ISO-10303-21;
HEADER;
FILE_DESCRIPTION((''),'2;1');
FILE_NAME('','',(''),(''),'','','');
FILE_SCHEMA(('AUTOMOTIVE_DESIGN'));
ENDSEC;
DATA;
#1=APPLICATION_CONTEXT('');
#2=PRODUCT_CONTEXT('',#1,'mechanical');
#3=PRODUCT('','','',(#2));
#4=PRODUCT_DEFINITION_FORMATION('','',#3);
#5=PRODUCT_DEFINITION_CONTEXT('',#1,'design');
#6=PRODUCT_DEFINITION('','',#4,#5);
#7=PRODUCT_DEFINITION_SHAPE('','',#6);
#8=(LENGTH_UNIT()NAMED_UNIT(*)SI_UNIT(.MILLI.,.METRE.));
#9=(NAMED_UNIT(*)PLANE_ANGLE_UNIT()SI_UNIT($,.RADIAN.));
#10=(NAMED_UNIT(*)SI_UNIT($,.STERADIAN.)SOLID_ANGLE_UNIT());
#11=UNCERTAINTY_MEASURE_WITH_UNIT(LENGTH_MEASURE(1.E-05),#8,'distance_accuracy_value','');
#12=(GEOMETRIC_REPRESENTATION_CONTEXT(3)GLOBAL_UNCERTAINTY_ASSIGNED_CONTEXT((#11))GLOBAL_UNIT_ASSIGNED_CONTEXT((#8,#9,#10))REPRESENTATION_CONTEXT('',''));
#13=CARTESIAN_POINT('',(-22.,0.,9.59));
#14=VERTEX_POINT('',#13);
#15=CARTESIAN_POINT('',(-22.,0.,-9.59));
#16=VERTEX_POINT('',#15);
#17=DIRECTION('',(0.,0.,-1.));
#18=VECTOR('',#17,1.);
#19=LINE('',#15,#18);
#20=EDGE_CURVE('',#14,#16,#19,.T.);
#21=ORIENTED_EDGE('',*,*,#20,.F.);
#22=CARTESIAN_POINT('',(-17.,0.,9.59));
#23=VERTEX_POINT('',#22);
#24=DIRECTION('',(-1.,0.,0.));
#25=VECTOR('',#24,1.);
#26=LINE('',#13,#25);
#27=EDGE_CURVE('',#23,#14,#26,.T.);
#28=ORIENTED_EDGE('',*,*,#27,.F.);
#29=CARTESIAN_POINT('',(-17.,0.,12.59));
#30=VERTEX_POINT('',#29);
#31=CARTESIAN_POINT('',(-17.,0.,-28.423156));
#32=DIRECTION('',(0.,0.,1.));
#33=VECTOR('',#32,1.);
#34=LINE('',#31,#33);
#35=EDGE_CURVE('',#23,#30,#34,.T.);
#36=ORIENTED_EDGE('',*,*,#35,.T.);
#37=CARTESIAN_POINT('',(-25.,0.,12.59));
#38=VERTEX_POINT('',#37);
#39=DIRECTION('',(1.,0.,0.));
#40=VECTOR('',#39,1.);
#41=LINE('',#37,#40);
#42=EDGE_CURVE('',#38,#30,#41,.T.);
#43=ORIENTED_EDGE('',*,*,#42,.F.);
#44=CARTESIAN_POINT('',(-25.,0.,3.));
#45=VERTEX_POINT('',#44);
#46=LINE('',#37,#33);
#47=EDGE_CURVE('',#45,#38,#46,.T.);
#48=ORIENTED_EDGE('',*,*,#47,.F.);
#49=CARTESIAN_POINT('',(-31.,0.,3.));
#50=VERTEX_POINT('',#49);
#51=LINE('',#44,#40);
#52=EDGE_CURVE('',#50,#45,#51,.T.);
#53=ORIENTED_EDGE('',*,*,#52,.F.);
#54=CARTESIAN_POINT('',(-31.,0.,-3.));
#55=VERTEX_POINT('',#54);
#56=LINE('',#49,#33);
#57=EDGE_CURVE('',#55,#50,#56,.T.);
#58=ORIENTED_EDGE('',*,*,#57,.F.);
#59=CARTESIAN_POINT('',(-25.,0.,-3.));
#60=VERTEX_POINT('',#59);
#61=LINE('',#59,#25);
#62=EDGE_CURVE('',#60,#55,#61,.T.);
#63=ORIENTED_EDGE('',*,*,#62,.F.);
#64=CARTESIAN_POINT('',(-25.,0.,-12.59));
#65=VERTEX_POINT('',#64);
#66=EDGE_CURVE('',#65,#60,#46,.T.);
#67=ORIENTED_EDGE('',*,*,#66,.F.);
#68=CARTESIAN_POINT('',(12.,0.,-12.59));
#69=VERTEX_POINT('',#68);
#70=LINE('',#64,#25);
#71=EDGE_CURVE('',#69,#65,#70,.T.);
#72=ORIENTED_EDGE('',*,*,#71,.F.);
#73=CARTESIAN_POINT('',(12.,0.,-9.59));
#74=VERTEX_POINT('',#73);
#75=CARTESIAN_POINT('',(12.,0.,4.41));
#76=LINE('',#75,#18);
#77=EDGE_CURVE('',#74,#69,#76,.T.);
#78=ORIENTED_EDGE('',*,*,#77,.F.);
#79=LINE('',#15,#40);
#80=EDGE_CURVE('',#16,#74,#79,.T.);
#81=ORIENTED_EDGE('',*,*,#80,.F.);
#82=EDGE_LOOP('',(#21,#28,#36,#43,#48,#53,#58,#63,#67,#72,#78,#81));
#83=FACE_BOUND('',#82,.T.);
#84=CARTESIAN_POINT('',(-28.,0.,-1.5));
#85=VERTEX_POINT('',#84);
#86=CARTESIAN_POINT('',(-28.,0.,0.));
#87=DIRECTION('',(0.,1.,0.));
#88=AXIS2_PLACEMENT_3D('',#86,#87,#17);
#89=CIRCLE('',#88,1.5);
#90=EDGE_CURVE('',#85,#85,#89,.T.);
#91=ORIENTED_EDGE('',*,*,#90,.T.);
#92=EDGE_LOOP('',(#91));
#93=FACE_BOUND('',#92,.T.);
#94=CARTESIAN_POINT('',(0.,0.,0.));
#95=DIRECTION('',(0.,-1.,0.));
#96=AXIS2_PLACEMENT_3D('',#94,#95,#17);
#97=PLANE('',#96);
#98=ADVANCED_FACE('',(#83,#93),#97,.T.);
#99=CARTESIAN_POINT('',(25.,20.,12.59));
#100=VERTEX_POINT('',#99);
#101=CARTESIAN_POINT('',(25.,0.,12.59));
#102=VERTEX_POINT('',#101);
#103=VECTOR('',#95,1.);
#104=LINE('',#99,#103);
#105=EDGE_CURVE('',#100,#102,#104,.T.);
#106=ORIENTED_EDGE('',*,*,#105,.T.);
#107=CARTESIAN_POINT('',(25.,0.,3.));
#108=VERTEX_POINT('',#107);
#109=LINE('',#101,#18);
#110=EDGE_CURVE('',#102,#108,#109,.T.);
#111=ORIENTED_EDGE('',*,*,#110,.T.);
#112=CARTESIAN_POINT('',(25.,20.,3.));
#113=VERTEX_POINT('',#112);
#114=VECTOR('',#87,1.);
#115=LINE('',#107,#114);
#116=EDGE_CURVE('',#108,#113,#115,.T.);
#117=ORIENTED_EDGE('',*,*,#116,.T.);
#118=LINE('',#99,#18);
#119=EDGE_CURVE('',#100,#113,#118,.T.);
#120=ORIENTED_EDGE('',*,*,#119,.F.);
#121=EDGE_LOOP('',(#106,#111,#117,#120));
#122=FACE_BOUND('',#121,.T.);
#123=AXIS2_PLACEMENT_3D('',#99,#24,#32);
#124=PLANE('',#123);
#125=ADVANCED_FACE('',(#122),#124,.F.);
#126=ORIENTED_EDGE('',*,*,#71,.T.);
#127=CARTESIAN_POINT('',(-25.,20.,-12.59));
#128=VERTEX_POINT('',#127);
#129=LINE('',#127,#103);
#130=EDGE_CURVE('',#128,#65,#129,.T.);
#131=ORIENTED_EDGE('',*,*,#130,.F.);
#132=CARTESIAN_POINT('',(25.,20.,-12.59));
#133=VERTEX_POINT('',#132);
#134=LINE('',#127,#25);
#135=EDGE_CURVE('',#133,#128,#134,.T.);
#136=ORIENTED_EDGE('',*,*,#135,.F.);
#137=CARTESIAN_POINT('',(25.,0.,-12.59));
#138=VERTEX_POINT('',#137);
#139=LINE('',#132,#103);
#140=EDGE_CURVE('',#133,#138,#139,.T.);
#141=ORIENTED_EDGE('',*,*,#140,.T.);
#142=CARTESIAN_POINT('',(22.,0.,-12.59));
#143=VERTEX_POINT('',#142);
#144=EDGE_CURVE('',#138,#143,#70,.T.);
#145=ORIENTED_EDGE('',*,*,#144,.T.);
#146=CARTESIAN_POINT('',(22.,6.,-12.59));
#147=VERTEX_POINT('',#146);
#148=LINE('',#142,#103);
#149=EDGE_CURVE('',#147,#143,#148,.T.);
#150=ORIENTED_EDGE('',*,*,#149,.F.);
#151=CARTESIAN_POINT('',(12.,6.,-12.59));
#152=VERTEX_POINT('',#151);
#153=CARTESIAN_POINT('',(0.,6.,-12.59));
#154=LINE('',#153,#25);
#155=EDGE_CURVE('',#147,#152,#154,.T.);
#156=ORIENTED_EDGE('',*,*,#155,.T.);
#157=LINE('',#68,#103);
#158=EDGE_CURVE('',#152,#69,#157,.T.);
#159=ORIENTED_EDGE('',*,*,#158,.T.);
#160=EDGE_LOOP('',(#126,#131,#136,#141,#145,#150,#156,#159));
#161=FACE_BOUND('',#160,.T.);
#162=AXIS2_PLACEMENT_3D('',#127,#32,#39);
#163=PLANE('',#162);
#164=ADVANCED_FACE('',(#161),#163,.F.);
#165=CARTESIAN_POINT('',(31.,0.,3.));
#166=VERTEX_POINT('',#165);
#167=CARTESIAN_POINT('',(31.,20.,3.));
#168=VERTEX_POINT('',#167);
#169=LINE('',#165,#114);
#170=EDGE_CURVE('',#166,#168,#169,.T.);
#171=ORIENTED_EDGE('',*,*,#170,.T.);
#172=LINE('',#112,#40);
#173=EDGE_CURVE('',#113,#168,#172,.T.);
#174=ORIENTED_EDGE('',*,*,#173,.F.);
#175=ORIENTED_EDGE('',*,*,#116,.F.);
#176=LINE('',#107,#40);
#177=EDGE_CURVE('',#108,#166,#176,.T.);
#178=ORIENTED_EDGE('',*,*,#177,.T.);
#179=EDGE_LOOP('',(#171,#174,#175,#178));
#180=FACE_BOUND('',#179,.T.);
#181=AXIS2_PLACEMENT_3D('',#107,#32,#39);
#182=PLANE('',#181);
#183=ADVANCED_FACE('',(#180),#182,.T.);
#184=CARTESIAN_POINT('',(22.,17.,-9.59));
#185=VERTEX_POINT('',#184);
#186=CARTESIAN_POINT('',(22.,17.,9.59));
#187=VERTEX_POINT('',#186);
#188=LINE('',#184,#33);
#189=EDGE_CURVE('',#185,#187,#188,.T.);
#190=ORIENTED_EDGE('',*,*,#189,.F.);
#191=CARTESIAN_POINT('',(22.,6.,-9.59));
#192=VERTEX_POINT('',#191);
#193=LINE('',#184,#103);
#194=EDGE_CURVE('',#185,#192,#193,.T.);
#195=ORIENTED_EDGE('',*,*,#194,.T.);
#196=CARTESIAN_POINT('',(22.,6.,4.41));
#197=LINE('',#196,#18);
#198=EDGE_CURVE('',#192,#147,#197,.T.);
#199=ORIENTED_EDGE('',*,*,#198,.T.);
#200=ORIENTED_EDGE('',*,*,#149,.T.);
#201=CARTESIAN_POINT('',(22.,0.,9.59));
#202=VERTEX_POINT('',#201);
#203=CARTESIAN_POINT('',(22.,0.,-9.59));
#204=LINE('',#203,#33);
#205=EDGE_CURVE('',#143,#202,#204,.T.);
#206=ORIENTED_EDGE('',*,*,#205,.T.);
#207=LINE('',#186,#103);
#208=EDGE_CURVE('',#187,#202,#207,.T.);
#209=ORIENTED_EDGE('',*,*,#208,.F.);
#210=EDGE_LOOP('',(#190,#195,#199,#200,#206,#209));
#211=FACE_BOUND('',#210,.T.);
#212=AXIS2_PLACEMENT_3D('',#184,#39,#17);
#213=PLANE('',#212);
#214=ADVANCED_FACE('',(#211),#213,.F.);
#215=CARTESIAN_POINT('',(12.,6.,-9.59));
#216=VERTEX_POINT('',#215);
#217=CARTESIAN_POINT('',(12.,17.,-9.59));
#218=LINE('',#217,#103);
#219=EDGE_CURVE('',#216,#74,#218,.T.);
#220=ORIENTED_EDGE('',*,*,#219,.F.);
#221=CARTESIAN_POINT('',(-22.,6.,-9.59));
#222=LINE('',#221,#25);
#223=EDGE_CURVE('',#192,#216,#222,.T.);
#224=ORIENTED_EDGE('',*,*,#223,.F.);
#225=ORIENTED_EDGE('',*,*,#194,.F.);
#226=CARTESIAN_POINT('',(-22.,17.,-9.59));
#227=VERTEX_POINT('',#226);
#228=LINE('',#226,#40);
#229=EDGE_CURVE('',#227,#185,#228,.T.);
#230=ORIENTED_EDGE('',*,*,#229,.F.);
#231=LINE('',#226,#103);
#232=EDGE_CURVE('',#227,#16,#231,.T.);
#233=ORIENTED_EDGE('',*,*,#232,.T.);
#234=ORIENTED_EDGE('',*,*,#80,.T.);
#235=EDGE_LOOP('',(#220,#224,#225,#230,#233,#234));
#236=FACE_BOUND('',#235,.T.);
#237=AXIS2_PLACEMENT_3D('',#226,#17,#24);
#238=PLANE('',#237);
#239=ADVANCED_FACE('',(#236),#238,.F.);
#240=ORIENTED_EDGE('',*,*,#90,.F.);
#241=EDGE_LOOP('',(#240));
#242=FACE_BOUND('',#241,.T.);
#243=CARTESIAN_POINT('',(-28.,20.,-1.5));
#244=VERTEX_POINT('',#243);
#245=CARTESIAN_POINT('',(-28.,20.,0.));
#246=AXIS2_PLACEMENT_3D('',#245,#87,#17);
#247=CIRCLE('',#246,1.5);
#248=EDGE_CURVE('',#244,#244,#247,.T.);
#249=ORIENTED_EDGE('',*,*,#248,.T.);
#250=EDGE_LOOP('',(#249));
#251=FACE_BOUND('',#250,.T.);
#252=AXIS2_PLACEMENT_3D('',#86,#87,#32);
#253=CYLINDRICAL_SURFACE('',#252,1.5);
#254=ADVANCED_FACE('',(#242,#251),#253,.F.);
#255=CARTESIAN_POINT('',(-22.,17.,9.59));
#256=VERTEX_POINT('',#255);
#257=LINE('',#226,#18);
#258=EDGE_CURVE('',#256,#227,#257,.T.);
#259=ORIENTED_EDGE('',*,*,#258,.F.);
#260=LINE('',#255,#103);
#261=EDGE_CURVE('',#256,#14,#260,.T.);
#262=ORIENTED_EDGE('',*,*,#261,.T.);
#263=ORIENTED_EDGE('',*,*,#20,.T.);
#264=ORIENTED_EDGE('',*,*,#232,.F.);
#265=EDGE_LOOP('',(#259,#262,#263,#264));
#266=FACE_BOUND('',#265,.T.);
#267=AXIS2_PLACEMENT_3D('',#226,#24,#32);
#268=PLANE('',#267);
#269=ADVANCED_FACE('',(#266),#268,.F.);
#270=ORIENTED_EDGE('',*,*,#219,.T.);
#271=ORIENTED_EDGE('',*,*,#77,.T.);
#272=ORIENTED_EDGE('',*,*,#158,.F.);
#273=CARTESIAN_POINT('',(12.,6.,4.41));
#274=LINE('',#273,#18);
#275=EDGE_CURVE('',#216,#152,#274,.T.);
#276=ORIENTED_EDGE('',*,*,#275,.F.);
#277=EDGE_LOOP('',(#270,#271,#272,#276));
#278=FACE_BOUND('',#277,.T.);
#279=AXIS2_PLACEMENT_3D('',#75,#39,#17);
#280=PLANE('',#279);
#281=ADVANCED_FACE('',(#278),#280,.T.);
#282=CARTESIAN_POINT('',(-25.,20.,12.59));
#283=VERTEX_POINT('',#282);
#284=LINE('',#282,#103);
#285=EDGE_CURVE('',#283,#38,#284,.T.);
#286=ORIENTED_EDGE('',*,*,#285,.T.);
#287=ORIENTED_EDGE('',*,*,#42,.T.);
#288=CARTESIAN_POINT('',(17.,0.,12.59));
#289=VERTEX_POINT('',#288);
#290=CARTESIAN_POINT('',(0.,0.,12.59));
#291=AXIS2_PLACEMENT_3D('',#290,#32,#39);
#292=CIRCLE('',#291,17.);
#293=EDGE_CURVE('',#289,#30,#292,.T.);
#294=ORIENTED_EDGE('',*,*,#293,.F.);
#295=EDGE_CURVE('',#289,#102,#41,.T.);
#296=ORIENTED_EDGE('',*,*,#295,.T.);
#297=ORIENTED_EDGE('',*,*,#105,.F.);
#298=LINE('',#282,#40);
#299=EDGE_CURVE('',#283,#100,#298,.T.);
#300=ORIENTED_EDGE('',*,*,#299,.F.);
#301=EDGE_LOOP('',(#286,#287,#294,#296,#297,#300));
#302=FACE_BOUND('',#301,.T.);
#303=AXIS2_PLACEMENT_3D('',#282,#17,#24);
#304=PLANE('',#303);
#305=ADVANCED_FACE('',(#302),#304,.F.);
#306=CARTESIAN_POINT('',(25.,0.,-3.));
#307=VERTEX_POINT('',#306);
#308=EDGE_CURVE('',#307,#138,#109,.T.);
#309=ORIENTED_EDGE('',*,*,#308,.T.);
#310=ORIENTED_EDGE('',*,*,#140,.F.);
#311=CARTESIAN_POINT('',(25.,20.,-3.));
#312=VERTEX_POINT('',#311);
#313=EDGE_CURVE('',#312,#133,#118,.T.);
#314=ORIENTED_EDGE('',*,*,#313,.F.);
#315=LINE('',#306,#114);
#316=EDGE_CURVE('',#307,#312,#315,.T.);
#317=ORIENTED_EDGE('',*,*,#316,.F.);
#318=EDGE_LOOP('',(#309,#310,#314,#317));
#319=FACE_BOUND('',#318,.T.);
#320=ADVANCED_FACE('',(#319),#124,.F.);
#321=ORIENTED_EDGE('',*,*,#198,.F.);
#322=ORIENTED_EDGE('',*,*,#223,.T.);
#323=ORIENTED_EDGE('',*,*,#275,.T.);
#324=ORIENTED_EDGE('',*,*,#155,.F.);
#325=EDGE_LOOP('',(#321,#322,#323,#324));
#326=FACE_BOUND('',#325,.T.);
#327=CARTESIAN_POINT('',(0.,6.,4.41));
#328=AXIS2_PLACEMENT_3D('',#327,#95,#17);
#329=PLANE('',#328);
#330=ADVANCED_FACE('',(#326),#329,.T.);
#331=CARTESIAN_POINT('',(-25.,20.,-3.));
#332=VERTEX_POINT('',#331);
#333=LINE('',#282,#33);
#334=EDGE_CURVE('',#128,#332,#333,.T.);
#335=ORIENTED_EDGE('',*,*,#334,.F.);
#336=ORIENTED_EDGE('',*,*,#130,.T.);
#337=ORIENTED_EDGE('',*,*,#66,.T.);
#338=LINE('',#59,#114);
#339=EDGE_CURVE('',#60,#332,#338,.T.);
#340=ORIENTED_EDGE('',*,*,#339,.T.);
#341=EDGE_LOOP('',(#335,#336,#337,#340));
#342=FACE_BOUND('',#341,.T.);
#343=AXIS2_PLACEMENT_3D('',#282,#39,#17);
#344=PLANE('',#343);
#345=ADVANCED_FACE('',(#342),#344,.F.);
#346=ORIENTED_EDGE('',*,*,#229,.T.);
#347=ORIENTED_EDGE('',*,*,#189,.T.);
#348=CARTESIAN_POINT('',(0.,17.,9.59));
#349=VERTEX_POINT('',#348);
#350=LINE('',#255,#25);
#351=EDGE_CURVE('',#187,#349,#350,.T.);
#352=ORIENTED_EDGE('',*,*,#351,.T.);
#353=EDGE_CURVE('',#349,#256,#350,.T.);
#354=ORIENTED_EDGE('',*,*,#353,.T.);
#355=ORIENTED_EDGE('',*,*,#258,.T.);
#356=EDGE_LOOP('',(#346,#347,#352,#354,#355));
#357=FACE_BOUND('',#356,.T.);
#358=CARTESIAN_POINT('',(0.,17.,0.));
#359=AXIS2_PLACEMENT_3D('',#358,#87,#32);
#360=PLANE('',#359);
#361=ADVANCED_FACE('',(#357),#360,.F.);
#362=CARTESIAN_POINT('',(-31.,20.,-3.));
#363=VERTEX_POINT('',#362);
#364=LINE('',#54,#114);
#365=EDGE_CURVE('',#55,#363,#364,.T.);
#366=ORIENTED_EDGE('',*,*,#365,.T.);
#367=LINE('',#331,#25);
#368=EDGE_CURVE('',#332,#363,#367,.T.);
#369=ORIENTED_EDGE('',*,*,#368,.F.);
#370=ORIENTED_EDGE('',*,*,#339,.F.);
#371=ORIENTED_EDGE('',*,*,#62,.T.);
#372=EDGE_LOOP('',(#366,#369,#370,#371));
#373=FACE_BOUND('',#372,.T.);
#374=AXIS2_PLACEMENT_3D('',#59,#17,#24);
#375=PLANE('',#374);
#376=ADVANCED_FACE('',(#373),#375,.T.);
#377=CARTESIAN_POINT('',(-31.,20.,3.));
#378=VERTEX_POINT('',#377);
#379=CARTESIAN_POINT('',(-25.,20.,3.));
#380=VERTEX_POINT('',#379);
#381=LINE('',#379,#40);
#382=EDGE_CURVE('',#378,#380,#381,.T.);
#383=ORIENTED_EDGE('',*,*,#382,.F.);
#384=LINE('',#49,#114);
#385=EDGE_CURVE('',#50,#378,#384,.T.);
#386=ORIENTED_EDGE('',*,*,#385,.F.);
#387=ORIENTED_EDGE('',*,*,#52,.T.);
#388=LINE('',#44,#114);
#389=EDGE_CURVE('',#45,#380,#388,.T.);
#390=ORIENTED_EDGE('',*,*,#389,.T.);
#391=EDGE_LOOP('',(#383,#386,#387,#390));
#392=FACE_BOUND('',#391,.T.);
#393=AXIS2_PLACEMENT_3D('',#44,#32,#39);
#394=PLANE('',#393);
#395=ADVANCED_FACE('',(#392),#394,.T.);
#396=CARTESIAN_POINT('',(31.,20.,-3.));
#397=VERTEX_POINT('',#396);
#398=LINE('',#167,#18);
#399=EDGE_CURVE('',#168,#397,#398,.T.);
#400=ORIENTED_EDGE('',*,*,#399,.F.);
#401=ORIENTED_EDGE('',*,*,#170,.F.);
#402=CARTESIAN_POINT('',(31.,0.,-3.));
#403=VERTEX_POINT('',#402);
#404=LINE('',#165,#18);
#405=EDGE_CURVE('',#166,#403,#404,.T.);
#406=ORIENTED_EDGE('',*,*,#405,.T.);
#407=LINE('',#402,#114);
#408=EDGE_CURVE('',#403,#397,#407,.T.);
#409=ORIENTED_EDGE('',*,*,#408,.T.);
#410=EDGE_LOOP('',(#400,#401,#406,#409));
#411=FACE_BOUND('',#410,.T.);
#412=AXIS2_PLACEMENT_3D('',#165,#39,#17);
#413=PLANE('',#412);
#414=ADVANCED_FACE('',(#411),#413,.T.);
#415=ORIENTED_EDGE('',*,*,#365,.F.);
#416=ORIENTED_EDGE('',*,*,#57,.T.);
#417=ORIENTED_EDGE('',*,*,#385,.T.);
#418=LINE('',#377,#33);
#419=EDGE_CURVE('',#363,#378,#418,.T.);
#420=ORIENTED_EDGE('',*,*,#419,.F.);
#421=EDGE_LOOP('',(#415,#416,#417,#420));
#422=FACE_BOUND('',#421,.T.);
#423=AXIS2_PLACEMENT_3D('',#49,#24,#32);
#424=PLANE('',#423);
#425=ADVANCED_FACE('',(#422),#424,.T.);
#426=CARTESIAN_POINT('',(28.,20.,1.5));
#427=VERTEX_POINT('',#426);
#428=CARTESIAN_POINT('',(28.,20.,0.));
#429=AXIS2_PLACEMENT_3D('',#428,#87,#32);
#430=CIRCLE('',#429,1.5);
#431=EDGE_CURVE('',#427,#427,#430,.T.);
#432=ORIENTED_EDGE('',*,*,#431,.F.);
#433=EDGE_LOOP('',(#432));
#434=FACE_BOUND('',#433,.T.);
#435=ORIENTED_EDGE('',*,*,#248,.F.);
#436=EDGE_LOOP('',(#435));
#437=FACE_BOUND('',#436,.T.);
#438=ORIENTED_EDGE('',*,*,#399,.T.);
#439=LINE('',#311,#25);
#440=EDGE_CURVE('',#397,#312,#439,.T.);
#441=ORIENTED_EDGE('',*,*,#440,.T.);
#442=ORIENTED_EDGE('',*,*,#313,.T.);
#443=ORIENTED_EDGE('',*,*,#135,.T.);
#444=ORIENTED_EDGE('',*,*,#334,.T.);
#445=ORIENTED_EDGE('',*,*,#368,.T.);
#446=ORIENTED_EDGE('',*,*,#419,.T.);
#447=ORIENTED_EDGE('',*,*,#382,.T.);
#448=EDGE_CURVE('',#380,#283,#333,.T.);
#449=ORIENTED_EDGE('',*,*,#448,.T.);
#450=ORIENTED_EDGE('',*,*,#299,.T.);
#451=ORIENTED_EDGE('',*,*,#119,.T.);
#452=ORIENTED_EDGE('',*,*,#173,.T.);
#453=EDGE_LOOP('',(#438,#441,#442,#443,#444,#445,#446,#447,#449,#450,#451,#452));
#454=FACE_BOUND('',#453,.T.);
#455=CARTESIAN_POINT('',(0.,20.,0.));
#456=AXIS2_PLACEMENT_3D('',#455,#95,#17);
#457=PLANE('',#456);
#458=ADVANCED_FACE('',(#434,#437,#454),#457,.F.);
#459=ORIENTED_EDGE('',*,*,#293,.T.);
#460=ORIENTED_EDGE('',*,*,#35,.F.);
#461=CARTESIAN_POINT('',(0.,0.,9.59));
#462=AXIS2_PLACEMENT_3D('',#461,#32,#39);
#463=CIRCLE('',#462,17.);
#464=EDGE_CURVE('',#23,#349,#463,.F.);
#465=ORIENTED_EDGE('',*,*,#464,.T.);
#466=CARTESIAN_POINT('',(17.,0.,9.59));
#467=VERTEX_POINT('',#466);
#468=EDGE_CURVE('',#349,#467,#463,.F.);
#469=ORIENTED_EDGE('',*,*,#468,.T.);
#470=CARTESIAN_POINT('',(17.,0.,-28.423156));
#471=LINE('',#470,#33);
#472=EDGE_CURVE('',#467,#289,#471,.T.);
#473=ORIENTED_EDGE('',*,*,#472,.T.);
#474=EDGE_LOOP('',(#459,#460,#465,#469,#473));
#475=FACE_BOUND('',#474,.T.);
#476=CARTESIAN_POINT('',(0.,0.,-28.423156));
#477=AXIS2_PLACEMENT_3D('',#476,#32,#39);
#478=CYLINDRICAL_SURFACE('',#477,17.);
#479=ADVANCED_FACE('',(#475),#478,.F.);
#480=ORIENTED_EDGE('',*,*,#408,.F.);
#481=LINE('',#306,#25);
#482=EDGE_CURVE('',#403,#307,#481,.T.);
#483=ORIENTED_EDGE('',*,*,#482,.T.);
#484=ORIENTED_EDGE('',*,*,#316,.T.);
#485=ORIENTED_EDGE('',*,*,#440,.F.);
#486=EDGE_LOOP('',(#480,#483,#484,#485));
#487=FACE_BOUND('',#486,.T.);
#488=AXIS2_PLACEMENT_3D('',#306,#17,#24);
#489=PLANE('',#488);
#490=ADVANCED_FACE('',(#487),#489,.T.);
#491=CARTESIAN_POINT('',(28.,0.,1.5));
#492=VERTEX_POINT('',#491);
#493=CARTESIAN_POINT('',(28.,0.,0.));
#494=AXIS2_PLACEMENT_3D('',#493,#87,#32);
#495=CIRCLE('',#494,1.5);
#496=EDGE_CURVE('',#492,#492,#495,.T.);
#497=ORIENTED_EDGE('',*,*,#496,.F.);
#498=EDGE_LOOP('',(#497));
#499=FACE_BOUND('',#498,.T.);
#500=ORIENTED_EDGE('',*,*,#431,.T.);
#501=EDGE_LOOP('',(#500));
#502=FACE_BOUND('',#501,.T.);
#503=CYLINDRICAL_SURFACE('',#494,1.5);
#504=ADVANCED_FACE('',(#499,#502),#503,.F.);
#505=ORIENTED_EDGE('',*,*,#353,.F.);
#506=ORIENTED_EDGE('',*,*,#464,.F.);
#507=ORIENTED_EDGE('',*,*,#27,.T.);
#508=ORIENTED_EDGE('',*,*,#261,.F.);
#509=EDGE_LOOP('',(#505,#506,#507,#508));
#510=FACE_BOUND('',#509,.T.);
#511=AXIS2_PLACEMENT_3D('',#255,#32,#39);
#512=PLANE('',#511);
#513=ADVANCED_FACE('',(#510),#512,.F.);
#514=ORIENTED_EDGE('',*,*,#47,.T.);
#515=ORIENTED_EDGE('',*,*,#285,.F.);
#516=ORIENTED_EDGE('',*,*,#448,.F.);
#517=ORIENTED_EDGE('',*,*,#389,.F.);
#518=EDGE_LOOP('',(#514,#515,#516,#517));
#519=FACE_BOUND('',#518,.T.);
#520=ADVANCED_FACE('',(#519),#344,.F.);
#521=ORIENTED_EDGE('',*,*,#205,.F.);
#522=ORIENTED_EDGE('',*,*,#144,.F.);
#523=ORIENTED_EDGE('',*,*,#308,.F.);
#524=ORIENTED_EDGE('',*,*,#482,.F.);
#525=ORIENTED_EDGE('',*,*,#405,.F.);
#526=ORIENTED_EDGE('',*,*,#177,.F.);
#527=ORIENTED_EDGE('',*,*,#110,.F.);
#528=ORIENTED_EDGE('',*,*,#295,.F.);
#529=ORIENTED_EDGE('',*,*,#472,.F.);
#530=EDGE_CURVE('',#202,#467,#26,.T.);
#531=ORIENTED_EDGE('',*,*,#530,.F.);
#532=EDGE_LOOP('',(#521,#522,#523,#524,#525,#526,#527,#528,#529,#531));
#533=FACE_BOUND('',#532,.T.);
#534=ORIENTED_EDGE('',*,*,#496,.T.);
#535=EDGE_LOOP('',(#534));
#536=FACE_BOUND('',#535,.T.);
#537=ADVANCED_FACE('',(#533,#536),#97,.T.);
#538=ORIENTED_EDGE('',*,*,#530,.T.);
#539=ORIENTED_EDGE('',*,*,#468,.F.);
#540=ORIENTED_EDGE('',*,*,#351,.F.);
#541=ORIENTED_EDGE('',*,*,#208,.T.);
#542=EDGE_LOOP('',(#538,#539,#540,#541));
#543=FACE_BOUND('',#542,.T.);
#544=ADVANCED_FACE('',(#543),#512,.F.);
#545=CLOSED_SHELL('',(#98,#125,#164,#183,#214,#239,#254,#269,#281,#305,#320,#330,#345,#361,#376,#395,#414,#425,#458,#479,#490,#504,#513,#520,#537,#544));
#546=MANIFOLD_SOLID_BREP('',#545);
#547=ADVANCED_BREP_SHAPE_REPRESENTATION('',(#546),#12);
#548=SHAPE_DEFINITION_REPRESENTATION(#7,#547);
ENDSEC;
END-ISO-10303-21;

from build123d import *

# Parameters (mm, degrees)
SKETCH1_W           = 50
SKETCH1_H           = 25.18
BOSS_EXTRUDE1_DEPTH = 20
SKETCH6_W           = 44
SKETCH6_H           = 19.18
CUT_EXTRUDE4_DEPTH  = 17
CUT_EXTRUDE5_DEPTH  = 3
SKETCH8_W           = 10
SKETCH8_H           = 6
CUT_EXTRUDE6_DEPTH  = 17
SKETCH9_W           = 6
SKETCH9_H           = 6
SKETCH9_R           = 1.5
BOSS_EXTRUDE2_DEPTH = 20


with BuildPart() as part:
    # Sketch1 → Boss-Extrude1 (new body)
    with BuildSketch(Plane(origin=(0, 0, 0), x_dir=(1, 0, 0), z_dir=(0, 1, 0))):
        Rectangle(SKETCH1_W, SKETCH1_H)
    extrude(amount=BOSS_EXTRUDE1_DEPTH)

    # Sketch6 → Cut-Extrude4 (cut)
    with BuildSketch(Plane.XZ):
        Rectangle(SKETCH6_W, SKETCH6_H)
    extrude(amount=-CUT_EXTRUDE4_DEPTH, mode=Mode.SUBTRACT)

    # Sketch7 → Cut-Extrude5 (cut)
    with BuildSketch(Plane.XY.offset(12.59)):
        with BuildLine():
            Line((-17, 0), (17, 0))
            ThreePointArc((17, 0), (0, 17), (-17, 0))
        make_face()
    extrude(amount=-CUT_EXTRUDE5_DEPTH, mode=Mode.SUBTRACT)

    # Sketch8 → Cut-Extrude6 (cut)
    with BuildSketch(Plane(origin=(0, 0, -12.59), x_dir=(-1, 0, 0), z_dir=(0, 0, -1))):
        with Locations((-17, 3)):
            Rectangle(SKETCH8_W, SKETCH8_H)
    extrude(amount=-CUT_EXTRUDE6_DEPTH, mode=Mode.SUBTRACT)

    # Sketch9 → Boss-Extrude2 (add)
    with BuildSketch(Plane(origin=(0, 20, 0), x_dir=(1, 0, 0), z_dir=(0, 1, 0))):
        with Locations((28, 0)):
            Rectangle(SKETCH9_W, SKETCH9_H)
        with Locations((28, 0)):
            Circle(SKETCH9_R, mode=Mode.SUBTRACT)
        with Locations((-28, 0)):
            Rectangle(SKETCH9_W, SKETCH9_H)
        with Locations((-28, 0)):
            Circle(SKETCH9_R, mode=Mode.SUBTRACT)
    extrude(amount=-BOSS_EXTRUDE2_DEPTH)


solid = part.part
